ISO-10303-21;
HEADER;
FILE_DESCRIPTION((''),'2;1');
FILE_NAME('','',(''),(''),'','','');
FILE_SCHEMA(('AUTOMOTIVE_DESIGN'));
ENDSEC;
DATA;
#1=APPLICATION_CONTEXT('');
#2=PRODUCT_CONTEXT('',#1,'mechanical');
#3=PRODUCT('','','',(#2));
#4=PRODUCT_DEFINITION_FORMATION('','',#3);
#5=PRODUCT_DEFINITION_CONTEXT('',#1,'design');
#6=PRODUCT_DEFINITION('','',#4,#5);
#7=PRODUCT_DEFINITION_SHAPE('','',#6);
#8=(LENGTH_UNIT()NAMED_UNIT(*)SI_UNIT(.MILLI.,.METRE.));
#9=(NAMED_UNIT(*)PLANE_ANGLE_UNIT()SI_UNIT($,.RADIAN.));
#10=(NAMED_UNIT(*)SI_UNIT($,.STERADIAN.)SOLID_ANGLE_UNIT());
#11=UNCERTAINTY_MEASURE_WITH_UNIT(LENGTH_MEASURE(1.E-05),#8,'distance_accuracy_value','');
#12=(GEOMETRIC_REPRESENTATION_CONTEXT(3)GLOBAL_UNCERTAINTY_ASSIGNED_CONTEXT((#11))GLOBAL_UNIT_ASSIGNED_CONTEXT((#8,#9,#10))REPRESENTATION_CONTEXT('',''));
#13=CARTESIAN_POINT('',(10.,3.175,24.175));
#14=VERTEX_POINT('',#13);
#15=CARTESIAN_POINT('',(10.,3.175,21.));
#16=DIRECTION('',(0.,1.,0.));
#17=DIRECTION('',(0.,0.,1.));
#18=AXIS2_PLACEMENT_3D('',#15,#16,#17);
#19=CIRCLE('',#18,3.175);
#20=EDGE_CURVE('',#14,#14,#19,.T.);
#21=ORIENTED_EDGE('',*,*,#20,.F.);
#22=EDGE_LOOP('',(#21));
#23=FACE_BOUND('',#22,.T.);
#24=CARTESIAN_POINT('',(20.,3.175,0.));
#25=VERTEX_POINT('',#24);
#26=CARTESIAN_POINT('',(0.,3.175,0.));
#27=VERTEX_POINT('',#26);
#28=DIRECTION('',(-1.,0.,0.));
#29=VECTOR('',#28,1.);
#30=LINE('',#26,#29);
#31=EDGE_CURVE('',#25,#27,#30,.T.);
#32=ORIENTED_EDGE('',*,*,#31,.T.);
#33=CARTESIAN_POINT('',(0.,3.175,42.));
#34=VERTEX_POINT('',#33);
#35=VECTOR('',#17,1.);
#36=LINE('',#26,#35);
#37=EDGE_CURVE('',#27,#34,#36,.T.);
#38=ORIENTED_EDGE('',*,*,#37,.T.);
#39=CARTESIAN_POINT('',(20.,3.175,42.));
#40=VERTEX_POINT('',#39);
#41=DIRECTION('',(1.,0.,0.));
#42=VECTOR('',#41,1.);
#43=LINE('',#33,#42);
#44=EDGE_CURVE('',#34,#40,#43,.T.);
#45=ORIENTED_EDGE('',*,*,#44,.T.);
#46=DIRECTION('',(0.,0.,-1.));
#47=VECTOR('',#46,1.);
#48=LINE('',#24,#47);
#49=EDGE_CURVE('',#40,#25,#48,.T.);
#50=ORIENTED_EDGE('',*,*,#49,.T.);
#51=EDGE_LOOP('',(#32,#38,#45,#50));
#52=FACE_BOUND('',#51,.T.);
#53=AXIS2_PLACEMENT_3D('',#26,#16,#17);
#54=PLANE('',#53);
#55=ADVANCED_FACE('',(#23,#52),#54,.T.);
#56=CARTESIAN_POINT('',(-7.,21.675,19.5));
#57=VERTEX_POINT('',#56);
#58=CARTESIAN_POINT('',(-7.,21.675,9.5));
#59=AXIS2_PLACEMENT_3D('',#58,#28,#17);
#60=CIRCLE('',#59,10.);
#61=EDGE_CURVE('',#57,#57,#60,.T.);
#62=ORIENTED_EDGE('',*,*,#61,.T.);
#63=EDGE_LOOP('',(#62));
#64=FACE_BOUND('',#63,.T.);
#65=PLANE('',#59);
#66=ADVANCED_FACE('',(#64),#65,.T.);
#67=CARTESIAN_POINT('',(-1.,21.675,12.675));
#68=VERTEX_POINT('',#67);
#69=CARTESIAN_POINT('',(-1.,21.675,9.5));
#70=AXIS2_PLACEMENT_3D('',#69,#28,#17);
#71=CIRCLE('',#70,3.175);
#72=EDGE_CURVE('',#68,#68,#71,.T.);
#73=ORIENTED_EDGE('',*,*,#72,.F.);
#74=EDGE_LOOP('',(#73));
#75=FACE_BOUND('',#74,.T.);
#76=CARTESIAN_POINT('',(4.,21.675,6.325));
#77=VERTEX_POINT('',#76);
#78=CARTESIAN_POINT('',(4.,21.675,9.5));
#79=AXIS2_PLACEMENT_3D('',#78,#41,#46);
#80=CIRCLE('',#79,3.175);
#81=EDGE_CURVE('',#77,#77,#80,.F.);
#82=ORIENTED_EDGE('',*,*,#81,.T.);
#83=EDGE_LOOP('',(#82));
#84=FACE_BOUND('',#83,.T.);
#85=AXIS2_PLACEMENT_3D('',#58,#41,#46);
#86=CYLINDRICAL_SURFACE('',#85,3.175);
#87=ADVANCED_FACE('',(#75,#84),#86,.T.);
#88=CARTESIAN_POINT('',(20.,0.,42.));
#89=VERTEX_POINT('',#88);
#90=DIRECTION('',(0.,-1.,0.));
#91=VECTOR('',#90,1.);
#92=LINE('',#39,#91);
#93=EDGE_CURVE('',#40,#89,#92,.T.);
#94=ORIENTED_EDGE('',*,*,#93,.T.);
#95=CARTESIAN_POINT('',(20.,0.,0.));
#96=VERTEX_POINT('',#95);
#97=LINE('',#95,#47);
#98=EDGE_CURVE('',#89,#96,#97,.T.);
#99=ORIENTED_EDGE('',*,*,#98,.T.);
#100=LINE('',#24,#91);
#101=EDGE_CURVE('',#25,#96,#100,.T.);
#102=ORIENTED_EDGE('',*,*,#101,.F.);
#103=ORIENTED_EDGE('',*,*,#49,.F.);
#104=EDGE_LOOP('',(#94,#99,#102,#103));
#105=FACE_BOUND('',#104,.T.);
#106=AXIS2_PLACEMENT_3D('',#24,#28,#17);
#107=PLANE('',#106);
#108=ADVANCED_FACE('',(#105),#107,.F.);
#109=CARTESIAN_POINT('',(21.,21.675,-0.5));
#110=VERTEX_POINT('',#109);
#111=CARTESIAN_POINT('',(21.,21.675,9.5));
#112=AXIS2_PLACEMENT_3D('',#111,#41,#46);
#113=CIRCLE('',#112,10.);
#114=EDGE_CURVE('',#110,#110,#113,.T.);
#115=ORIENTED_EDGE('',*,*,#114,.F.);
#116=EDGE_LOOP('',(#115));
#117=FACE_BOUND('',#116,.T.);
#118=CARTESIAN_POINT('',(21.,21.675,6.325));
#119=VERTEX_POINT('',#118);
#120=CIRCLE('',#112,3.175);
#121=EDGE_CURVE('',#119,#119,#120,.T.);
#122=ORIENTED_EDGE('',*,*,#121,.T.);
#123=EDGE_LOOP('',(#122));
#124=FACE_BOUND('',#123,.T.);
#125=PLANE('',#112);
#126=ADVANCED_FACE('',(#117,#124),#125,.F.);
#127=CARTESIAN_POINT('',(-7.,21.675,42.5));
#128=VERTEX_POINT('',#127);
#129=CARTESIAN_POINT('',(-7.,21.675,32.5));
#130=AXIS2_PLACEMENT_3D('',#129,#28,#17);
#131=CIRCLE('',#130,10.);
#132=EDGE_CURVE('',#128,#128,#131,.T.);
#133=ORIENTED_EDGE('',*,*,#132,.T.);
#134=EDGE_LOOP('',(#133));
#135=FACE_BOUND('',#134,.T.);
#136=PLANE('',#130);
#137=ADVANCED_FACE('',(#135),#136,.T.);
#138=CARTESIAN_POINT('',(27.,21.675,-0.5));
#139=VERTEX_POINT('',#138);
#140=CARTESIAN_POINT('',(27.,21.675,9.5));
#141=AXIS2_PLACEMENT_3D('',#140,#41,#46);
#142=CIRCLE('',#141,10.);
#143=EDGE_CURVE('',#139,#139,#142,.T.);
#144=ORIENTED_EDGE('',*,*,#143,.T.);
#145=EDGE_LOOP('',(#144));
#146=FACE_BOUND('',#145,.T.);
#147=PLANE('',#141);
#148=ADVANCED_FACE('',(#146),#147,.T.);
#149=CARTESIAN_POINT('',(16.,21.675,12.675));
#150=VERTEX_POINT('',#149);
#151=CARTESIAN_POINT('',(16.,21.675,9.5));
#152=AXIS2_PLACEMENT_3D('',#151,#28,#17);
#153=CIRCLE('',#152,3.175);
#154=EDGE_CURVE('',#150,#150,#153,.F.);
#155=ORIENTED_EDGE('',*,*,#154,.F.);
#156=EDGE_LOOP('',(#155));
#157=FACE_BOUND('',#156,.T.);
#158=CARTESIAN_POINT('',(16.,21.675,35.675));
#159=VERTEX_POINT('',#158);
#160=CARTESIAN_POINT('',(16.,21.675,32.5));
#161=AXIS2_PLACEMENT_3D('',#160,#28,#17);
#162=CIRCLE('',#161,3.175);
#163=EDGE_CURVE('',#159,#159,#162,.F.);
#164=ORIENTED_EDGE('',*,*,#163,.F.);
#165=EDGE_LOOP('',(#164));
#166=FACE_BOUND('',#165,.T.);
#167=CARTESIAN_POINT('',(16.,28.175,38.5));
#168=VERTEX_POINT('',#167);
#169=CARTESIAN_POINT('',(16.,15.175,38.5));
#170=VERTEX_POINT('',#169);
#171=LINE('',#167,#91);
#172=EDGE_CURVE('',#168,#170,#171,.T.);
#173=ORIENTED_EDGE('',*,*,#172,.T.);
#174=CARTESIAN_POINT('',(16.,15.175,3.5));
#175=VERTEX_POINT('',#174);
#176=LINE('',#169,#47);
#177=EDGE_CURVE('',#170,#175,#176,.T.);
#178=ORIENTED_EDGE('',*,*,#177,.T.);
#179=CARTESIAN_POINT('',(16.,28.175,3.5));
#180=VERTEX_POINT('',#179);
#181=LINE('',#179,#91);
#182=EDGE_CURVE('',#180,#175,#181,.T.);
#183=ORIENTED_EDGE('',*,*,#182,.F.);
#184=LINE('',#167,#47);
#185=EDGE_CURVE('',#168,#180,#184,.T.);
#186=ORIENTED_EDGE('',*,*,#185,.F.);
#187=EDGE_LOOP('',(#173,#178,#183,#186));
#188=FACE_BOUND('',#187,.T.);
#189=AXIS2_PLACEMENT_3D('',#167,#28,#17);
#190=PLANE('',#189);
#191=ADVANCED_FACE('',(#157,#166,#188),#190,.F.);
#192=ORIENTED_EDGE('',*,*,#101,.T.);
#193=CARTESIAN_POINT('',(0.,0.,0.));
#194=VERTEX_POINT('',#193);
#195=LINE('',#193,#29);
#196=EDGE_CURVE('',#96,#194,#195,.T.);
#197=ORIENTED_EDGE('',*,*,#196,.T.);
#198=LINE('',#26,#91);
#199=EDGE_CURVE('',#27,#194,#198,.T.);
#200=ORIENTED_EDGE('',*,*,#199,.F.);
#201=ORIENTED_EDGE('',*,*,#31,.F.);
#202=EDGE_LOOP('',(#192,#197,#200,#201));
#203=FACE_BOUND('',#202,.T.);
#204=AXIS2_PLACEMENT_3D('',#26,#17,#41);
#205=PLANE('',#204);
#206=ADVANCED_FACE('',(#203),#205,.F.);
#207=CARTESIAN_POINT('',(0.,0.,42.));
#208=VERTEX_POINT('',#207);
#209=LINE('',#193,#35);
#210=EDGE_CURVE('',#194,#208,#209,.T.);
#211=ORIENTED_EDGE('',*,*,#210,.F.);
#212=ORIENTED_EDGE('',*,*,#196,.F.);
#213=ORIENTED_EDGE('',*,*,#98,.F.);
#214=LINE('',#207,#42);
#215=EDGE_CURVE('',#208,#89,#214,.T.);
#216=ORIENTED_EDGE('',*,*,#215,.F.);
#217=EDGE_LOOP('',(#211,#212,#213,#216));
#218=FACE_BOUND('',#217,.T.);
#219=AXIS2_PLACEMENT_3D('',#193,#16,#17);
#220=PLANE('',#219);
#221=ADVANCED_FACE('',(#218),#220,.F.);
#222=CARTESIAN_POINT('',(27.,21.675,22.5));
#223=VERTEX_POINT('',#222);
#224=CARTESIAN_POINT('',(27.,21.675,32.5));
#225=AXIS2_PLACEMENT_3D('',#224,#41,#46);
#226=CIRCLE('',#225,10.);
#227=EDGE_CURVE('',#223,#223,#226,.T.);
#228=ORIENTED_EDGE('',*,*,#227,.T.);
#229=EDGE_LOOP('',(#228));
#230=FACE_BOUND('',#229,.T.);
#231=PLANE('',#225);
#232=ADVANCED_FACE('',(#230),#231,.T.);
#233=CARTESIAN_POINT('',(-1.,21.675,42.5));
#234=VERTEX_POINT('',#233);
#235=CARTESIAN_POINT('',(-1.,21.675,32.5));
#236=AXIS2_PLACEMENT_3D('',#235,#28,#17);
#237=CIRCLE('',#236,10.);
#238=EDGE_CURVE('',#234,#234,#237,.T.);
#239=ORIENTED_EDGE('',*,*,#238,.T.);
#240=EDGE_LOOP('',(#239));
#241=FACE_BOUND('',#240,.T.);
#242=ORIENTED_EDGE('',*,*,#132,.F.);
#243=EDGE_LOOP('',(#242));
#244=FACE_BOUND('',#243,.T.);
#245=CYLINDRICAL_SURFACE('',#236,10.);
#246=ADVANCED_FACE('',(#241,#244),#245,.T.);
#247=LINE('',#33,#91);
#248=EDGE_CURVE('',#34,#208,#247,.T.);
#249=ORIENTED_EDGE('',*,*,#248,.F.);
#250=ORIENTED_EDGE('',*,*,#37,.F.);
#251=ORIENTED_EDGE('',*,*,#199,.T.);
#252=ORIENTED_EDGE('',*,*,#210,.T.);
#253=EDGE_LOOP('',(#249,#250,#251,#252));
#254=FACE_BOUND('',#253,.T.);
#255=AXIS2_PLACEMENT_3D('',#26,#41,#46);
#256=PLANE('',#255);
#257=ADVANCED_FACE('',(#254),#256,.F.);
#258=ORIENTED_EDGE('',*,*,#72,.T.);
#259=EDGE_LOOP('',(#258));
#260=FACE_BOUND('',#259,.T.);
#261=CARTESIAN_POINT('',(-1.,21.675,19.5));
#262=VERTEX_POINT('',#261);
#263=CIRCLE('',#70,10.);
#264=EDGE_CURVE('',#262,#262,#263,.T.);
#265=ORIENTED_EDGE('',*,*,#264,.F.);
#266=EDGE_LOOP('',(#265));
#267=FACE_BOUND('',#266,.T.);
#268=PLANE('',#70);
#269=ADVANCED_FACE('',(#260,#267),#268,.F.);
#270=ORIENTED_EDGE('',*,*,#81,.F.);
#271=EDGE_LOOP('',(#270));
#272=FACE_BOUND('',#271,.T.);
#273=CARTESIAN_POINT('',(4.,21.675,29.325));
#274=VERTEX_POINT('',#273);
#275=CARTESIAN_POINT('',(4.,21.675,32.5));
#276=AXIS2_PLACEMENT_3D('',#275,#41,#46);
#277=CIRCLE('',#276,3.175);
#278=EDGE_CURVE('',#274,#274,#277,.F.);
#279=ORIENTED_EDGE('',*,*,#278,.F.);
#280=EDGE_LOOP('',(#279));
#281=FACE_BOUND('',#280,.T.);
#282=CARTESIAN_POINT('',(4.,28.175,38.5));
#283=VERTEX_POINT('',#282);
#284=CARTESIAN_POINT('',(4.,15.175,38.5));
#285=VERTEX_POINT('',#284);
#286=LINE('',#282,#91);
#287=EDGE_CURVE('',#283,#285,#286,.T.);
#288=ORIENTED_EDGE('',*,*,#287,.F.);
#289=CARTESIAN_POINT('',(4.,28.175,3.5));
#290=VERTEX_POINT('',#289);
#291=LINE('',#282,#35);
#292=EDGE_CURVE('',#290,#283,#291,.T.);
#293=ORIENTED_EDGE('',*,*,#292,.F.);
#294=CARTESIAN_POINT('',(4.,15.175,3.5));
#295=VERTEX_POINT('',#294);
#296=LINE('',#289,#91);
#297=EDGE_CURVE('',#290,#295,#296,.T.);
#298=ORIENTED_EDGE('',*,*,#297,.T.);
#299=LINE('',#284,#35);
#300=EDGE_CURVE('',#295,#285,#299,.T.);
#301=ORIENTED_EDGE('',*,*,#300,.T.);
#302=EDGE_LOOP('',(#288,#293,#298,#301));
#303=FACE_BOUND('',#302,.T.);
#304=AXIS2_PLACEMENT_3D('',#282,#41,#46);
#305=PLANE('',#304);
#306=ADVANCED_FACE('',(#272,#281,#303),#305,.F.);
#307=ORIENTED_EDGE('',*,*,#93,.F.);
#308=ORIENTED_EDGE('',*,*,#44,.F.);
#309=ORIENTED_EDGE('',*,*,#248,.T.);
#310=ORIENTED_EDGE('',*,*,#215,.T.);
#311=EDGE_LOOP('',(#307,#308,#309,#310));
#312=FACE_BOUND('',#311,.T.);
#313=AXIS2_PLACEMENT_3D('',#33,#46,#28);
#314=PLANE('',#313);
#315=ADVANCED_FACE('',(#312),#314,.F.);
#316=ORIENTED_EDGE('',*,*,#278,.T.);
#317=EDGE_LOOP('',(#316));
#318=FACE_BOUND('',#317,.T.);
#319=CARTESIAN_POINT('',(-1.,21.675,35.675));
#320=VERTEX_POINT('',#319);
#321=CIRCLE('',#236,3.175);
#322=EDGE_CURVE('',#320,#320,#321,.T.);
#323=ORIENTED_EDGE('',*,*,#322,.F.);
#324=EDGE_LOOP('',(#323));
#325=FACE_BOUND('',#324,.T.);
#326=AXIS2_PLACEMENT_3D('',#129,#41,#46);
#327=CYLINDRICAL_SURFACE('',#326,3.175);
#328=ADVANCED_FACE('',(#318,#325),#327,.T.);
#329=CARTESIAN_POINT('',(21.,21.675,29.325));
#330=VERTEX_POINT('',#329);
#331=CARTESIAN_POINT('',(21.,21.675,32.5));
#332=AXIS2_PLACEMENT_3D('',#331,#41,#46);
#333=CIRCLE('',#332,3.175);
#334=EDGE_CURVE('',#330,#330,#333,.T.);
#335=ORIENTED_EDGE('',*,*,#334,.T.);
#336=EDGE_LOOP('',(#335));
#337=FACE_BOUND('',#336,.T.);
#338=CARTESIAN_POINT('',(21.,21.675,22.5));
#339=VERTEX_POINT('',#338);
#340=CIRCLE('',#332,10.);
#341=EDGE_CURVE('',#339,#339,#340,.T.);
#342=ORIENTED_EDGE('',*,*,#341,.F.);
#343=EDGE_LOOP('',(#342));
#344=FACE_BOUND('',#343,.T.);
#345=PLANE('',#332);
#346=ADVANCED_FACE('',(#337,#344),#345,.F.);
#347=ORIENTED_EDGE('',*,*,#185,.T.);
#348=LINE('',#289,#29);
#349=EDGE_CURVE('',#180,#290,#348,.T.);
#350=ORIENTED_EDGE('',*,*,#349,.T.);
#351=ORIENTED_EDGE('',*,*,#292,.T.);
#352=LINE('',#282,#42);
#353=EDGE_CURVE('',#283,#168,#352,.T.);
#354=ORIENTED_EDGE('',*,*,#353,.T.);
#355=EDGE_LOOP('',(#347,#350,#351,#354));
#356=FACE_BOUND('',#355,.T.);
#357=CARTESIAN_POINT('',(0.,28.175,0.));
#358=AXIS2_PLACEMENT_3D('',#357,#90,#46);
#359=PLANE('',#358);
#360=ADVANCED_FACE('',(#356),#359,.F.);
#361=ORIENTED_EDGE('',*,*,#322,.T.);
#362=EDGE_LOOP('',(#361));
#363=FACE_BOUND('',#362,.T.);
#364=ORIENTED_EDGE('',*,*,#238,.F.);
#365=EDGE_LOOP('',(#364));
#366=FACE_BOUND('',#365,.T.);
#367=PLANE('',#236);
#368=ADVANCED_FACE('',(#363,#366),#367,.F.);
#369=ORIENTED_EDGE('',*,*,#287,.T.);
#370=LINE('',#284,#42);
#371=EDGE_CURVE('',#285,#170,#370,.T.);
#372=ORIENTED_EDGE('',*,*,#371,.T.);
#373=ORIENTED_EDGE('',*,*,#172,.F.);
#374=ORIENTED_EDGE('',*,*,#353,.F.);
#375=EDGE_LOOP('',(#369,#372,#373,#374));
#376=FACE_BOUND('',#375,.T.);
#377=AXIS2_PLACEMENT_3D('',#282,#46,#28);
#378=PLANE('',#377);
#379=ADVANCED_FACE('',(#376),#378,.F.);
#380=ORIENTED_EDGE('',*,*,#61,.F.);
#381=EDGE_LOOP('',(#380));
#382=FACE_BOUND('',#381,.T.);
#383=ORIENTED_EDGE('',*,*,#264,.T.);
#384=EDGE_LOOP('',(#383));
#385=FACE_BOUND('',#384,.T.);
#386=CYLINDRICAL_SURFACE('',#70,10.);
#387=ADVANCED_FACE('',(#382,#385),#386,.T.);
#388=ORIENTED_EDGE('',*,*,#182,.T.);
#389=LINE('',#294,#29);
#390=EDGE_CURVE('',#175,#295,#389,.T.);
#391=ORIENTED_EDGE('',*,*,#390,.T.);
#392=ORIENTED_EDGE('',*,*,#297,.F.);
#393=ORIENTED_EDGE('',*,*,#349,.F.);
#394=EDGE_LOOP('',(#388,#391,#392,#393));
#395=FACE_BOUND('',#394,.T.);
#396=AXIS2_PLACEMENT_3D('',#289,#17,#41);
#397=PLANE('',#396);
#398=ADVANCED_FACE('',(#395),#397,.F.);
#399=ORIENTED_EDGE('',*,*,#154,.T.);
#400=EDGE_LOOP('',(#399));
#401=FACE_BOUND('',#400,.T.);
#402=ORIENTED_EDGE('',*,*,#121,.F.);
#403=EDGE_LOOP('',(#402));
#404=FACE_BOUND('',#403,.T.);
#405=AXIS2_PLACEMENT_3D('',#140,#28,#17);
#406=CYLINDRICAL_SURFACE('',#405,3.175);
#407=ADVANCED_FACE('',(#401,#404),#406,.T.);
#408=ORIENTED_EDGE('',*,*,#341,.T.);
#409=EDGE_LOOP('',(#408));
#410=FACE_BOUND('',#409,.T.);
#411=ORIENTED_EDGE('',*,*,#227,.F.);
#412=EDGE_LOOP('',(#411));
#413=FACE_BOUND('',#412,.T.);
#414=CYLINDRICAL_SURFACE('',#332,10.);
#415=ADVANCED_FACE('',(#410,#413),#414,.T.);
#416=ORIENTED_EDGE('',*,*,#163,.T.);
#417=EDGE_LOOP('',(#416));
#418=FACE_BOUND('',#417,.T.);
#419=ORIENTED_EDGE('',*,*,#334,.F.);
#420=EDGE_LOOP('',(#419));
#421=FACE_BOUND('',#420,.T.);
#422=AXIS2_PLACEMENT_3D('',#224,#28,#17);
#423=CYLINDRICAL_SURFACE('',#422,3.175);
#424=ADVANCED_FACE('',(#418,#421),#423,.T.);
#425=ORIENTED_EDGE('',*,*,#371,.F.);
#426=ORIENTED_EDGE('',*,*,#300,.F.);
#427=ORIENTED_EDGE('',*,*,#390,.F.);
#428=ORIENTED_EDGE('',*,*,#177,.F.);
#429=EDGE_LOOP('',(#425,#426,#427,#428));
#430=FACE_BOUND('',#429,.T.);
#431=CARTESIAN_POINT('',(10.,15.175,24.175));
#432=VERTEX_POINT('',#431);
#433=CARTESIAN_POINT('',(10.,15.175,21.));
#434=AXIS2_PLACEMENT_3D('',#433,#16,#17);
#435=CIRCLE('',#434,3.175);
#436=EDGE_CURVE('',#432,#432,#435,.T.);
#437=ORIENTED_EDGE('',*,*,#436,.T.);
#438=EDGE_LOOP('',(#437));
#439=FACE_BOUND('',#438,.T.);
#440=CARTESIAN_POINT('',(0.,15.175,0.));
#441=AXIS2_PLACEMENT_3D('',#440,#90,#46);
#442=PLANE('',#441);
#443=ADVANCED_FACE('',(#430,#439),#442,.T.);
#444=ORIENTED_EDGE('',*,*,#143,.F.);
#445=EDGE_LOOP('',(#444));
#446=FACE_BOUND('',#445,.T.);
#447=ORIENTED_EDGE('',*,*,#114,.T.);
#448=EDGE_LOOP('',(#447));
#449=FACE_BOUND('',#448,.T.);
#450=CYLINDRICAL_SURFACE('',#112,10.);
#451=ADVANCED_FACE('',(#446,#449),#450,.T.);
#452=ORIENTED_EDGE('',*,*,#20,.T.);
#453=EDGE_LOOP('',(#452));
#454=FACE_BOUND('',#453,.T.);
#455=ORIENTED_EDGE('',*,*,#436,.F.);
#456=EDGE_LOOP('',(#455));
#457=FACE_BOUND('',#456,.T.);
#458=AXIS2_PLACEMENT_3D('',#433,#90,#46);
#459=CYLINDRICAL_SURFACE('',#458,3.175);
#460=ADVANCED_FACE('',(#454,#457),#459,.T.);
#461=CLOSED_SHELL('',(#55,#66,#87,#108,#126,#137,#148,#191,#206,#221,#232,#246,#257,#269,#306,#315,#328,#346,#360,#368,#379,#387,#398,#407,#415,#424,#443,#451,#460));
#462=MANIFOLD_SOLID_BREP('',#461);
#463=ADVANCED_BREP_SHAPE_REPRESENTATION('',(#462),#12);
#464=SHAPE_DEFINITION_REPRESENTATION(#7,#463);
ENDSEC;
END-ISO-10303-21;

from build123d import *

# Parameters (mm, degrees)
CROQUIS1_W              = 20
CROQUIS1_H              = 42
SALIENTE_EXTRUIR1_DEPTH = 3.175
CROQUIS2_R              = 3.175
SALIENTE_EXTRUIR2_DEPTH = 12
CROQUIS3_W              = 12
CROQUIS3_H              = 35
SALIENTE_EXTRUIR3_DEPTH = 13
CROQUIS4_R              = 3.175
SALIENTE_EXTRUIR4_DEPTH = 11
SALIENTE_EXTRUIR5_START = 11
CROQUIS5_R              = 3.175
SALIENTE_EXTRUIR5_DEPTH = 11
SALIENTE_EXTRUIR6_START = -6
CROQUIS6_R              = 10
CROQUIS6_R_2            = 3.175
SALIENTE_EXTRUIR6_DEPTH = 6
CROQUIS7_R              = 10
CROQUIS7_R_2            = 3.175
SALIENTE_EXTRUIR7_DEPTH = 6


with BuildPart() as part:
    # Croquis1 → Saliente-Extruir1 (new body)
    with BuildSketch(Plane(origin=(0, 0, 0), x_dir=(1, 0, 0), z_dir=(0, 1, 0))):
        with Locations((10, -21)):
            Rectangle(CROQUIS1_W, CROQUIS1_H)
    extrude(amount=SALIENTE_EXTRUIR1_DEPTH)

    # Croquis2 → Saliente-Extruir2 (add)
    with BuildSketch(Plane(origin=(0, 3.175, 0), x_dir=(1, 0, 0), z_dir=(0, 1, 0))):
        with Locations(Location((10, -21, 0), (0, 0, 270))):
            Circle(CROQUIS2_R)
    extrude(amount=SALIENTE_EXTRUIR2_DEPTH)

    # Croquis3 → Saliente-Extruir3 (add)
    with BuildSketch(Plane(origin=(0, 15.175, 0), x_dir=(1, 0, 0), z_dir=(0, 1, 0))):
        with Locations((10, -21)):
            Rectangle(CROQUIS3_W, CROQUIS3_H)
    extrude(amount=SALIENTE_EXTRUIR3_DEPTH)

    # Croquis4 → Saliente-Extruir4 (add)
    with BuildSketch(Plane.ZY.offset(-4)):
        with Locations(Location((9.5, 21.675, 0), (0, 0, 180))):
            Circle(CROQUIS4_R)
        with Locations(Location((32.5, 21.675, 0), (0, 0, 180))):
            Circle(CROQUIS4_R)
    extrude(amount=SALIENTE_EXTRUIR4_DEPTH)

    # Croquis5 → Saliente-Extruir5 (add)
    with BuildSketch(Plane(origin=(16, 0, 0), x_dir=(0, 0, -1), z_dir=(1, 0, 0)).offset(SALIENTE_EXTRUIR5_START)):
        with Locations((-32.5, 21.675)):
            Circle(CROQUIS5_R)
        with Locations((-9.5, 21.675)):
            Circle(CROQUIS5_R)
    extrude(amount=-SALIENTE_EXTRUIR5_DEPTH)

    # Croquis6 → Saliente-Extruir6 (add)
    # profile 1 of 2: a face of its own
    with BuildSketch(Plane.ZY.offset(7).offset(SALIENTE_EXTRUIR6_START)):
        with Locations((9.5, 21.675)):
            Circle(CROQUIS6_R)
        with Locations(Location((9.5, 21.675, 0), (0, 0, 180))):
            Circle(CROQUIS6_R_2, mode=Mode.SUBTRACT)
    # profile 2 of 2: a face of its own
    with BuildSketch(Plane.ZY.offset(7).offset(SALIENTE_EXTRUIR6_START)):
        with Locations((32.5, 21.675)):
            Circle(CROQUIS6_R)
        with Locations(Location((32.5, 21.675, 0), (0, 0, 180))):
            Circle(CROQUIS6_R_2, mode=Mode.SUBTRACT)
    extrude(amount=SALIENTE_EXTRUIR6_DEPTH)

    # Croquis7 → Saliente-Extruir7 (add)
    # profile 1 of 2: a face of its own
    with BuildSketch(Plane(origin=(27, 0, 0), x_dir=(0, 0, -1), z_dir=(1, 0, 0))):
        with Locations(Location((-32.5, 21.675, 0), (0, 0, 180))):
            Circle(CROQUIS7_R)
        with Locations(Location((-32.5, 21.675, 0), (0, 0, 180))):
            Circle(CROQUIS7_R_2, mode=Mode.SUBTRACT)
    # profile 2 of 2: a face of its own
    with BuildSketch(Plane(origin=(27, 0, 0), x_dir=(0, 0, -1), z_dir=(1, 0, 0))):
        with Locations(Location((-9.5, 21.675, 0), (0, 0, 180))):
            Circle(CROQUIS7_R)
        with Locations(Location((-9.5, 21.675, 0), (0, 0, 180))):
            Circle(CROQUIS7_R_2, mode=Mode.SUBTRACT)
    extrude(amount=-SALIENTE_EXTRUIR7_DEPTH)


solid = part.part
